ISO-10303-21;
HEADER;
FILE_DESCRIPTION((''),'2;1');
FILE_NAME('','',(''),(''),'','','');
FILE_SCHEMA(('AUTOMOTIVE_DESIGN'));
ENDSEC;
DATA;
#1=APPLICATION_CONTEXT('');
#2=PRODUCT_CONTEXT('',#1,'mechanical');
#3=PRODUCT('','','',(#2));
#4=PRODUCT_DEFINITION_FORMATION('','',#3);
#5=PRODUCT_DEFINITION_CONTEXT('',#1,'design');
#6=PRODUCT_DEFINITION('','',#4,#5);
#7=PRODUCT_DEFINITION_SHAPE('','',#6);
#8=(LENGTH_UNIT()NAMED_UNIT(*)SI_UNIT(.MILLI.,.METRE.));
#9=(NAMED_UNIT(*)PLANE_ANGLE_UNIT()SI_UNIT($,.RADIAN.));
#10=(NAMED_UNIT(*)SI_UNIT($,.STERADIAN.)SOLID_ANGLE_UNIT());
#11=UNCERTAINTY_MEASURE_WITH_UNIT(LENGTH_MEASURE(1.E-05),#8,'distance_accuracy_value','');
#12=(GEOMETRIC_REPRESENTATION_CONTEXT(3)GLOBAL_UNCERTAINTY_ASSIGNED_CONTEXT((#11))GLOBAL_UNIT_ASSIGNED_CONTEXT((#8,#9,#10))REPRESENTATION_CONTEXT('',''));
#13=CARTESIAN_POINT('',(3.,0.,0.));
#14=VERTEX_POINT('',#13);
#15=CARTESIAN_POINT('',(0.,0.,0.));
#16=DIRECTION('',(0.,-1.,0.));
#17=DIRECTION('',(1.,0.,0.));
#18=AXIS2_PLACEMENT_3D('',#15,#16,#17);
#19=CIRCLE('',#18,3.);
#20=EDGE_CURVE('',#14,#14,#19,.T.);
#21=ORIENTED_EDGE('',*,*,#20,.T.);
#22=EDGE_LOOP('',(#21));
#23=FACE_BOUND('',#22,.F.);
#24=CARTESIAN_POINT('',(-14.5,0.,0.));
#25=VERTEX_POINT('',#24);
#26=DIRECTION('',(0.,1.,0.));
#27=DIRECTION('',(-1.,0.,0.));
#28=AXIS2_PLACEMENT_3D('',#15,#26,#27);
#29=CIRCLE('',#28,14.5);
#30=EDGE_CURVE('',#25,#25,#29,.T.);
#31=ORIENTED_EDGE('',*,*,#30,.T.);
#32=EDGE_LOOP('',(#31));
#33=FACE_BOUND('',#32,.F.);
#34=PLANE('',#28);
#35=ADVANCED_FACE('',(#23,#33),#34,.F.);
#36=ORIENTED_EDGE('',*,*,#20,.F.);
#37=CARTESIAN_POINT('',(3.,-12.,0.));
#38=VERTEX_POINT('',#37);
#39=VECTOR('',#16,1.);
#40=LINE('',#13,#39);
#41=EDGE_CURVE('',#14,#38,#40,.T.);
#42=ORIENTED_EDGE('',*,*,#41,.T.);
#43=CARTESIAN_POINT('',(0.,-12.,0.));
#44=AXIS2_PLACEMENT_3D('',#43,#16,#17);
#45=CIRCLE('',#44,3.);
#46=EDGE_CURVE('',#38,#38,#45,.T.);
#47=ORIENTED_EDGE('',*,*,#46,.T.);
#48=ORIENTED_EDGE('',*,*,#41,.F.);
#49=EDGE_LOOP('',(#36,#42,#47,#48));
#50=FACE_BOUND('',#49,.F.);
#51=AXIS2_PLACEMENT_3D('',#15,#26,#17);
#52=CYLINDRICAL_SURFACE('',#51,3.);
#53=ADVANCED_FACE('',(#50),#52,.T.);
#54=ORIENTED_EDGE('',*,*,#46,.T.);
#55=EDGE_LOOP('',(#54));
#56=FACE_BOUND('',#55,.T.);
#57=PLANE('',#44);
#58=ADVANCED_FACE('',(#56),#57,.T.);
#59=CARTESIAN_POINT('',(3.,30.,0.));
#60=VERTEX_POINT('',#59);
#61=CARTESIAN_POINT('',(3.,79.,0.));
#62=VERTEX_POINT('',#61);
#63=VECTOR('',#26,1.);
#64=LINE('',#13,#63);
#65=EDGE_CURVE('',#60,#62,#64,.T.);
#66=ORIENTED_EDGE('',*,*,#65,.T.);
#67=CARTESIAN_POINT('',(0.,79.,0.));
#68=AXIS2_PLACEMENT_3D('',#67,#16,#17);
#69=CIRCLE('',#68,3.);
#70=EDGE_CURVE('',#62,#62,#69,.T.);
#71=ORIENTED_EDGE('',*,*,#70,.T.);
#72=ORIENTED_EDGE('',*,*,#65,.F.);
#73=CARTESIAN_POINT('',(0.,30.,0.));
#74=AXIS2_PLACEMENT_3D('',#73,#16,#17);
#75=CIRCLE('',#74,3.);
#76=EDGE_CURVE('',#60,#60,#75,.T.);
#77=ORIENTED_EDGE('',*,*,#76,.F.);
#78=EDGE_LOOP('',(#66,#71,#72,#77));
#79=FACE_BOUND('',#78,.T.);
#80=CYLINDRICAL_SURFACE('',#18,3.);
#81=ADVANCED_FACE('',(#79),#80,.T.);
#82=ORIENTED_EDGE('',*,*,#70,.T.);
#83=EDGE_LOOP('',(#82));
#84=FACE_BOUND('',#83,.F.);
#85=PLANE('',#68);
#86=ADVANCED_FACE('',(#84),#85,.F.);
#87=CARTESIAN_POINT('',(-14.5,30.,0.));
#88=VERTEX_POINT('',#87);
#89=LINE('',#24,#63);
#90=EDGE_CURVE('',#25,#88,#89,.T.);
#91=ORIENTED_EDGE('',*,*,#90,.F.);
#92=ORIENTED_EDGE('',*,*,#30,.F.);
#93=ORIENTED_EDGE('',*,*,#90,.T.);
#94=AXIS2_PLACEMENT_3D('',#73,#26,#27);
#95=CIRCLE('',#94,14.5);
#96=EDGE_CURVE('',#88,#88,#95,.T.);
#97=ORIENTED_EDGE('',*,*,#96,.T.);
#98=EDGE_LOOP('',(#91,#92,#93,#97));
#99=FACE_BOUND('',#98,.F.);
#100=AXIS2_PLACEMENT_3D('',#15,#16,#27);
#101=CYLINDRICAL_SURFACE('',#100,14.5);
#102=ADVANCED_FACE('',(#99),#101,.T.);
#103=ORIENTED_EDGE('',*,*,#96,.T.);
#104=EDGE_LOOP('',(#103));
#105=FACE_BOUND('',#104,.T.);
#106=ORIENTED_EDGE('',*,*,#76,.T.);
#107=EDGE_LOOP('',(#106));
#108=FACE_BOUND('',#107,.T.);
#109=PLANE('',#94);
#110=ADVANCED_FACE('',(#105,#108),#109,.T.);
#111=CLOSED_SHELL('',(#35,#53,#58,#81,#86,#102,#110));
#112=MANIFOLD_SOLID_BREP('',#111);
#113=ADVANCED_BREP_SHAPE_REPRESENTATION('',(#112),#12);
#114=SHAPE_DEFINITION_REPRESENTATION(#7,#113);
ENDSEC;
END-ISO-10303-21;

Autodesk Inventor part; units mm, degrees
ref_plane "YZ Plane" through (0, 0, 0) normal (1, 0, 0) x (0, 1, 0)
ref_plane "XZ Plane" through (0, 0, 0) normal (0, 1, 0) x (-1, 0, 0)
ref_plane "XY Plane" through (0, 0, 0) normal (0, 0, 1) x (1, 0, 0)
sketch "Schizzo1" plane through (0, 0, 0) normal (0, 1, 0) x (-1, 0, 0)
  circle A0 centre (0, 0) radius 14.5
  dimension "d0" = 29
extrude "Estrusione1" add sketch "Schizzo1" along normal blind 30
sketch "Schizzo2" plane through (0, 0, 0) normal (0, -1, 0) x (1, 0, 0)
  circle A0 centre (0, 0) radius 3
  dimension "d3" = 6
extrude "Estrusione2" add sketch "Schizzo2" along normal blind 12 and the other way blind 79
properties part number "1_Asse_cuscinetti" material "Asse pendolo"
